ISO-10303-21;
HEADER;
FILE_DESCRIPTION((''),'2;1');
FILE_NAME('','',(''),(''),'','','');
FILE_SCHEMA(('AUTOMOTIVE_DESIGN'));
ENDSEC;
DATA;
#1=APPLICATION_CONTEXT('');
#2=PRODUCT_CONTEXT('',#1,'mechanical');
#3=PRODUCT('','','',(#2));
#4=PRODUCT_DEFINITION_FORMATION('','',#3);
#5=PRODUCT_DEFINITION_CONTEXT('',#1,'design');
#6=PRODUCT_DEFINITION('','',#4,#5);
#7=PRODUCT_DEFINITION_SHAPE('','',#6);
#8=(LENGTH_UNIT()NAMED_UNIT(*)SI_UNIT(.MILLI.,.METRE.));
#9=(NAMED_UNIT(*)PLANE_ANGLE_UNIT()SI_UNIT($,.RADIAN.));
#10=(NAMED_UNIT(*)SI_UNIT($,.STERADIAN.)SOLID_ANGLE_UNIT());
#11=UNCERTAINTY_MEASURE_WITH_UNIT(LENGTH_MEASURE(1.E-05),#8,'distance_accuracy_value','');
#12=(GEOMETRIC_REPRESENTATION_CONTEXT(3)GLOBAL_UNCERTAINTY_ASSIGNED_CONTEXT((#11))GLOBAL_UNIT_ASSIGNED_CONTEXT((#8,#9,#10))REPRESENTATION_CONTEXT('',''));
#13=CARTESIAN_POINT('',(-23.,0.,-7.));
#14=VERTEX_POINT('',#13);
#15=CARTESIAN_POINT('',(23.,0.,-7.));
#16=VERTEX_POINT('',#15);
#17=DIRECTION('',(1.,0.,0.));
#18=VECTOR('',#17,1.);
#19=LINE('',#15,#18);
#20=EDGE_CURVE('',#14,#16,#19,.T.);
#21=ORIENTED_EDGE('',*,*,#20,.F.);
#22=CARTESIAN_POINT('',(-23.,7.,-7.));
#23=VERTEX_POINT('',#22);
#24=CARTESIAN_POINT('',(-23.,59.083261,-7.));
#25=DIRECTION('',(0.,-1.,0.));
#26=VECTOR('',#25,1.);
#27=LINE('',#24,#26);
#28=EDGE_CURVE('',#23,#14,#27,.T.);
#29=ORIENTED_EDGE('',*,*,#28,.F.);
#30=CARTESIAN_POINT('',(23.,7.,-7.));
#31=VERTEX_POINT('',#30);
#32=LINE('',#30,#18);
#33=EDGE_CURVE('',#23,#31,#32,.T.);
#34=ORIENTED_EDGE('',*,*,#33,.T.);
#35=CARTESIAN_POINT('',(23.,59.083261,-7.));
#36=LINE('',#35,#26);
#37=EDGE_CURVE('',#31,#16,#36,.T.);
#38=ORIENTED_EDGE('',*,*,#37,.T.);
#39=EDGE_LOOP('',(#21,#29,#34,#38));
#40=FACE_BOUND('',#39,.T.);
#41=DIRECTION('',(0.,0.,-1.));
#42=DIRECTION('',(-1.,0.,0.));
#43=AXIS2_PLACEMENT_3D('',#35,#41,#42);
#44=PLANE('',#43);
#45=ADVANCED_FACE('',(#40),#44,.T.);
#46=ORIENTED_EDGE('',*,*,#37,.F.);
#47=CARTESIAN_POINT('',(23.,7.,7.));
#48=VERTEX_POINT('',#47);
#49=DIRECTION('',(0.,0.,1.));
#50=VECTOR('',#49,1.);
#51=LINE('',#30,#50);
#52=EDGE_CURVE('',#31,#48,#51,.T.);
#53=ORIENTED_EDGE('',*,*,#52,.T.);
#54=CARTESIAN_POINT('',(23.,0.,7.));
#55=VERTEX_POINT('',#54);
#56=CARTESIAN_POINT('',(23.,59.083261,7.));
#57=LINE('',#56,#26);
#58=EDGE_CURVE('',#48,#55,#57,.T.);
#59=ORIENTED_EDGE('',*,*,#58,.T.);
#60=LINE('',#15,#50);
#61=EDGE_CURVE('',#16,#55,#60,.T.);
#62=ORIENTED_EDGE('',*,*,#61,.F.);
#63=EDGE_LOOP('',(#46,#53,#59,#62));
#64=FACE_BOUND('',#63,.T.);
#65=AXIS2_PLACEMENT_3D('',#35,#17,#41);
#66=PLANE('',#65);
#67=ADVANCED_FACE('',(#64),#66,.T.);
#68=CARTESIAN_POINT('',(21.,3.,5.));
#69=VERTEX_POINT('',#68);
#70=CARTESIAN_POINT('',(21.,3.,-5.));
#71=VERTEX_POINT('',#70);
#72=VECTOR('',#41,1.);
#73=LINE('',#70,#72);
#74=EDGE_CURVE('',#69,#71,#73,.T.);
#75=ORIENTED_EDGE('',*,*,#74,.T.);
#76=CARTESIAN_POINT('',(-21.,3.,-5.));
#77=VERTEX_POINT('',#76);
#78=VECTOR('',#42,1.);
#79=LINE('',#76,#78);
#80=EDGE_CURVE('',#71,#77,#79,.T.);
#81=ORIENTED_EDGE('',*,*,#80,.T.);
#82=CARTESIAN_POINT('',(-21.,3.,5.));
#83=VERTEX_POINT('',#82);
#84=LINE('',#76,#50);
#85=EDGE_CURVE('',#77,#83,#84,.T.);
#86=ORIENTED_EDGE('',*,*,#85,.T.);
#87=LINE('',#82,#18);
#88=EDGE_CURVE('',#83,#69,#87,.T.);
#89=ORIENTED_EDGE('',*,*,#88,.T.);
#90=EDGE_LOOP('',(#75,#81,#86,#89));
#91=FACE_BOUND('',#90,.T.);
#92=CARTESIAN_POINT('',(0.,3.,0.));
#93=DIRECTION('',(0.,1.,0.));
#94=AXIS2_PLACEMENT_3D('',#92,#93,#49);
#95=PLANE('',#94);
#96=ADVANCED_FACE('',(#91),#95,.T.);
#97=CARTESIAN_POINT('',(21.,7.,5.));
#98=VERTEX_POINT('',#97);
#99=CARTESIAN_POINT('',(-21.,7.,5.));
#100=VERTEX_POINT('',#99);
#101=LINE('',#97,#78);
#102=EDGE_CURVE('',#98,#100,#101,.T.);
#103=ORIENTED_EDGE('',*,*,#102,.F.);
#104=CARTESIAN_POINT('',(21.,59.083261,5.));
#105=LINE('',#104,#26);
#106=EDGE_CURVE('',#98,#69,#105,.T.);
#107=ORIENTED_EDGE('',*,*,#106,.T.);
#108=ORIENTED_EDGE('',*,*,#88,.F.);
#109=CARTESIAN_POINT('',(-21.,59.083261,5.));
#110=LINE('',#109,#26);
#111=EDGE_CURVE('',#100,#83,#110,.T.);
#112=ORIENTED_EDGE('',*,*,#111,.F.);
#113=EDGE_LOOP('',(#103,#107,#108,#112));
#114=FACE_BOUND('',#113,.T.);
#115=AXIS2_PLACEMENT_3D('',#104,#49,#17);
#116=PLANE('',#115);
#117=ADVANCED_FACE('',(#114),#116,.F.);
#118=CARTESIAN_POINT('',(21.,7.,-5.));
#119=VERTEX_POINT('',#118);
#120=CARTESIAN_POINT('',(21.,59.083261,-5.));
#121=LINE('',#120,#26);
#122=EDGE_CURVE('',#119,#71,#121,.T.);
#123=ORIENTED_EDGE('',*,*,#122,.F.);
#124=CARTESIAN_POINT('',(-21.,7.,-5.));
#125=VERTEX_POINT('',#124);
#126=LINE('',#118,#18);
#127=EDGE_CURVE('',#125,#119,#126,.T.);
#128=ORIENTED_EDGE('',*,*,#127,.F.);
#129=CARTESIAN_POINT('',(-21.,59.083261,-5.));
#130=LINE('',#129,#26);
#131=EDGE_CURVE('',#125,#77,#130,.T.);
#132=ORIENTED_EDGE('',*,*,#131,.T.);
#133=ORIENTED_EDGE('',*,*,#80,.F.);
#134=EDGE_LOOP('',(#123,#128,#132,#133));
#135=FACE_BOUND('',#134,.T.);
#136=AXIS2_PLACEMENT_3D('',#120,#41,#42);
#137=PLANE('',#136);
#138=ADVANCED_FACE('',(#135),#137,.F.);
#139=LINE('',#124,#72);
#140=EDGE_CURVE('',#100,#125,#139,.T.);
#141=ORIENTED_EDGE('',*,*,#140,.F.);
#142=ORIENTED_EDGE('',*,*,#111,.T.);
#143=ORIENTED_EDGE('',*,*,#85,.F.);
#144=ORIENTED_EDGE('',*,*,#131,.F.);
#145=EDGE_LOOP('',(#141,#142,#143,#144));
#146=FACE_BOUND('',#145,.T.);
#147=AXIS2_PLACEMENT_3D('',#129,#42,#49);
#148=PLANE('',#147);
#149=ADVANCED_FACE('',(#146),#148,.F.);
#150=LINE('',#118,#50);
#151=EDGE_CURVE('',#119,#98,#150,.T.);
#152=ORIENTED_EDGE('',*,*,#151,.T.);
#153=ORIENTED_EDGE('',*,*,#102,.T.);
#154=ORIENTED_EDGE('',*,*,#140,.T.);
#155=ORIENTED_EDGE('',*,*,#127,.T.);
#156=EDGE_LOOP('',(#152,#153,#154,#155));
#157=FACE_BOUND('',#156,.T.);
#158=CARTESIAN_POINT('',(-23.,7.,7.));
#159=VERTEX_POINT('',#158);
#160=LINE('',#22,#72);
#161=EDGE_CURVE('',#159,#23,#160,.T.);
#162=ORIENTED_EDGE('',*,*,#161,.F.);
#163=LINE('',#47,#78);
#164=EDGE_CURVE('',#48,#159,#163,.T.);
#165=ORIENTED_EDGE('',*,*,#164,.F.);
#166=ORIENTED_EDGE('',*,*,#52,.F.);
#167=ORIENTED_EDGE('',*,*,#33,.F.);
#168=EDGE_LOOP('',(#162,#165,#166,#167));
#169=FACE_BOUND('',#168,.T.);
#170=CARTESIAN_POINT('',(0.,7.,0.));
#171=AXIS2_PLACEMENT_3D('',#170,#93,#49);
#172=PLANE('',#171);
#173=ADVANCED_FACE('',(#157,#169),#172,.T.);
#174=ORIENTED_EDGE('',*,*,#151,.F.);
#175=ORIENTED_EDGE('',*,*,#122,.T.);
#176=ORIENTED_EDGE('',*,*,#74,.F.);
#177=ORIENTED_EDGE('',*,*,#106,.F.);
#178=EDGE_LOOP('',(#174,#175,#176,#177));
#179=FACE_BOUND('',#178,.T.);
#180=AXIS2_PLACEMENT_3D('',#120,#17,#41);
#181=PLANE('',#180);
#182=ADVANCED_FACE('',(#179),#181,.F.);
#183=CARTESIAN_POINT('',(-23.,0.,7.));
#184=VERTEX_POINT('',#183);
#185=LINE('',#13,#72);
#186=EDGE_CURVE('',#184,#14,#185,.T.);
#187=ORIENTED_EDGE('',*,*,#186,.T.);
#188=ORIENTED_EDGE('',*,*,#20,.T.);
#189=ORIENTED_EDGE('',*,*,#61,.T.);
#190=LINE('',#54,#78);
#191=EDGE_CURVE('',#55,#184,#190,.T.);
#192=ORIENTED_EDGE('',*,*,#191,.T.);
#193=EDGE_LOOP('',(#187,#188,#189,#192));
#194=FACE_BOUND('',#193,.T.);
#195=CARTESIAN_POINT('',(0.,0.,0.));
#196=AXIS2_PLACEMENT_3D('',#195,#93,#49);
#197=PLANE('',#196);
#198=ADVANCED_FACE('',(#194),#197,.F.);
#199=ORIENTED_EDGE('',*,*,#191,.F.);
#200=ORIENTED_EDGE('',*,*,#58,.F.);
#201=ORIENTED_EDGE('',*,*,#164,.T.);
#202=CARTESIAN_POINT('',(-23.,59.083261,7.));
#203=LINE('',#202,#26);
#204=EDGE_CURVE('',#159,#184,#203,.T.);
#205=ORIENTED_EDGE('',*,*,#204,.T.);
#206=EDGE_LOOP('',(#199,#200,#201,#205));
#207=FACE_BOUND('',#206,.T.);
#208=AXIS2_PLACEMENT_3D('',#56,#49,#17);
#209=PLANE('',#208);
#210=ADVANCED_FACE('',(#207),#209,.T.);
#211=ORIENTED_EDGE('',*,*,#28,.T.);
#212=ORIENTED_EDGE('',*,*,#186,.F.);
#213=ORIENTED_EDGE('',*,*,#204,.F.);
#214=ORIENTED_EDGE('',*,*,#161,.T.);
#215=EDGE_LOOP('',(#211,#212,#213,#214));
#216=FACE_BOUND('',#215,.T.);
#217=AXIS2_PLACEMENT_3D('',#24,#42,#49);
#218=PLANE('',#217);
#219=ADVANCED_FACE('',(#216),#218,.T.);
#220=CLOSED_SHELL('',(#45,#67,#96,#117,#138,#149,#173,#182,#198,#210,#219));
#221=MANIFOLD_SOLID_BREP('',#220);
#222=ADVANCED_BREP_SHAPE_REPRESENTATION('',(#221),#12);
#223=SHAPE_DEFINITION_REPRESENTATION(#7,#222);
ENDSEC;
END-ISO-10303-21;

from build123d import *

# Parameters (mm, degrees)
SKETCH1_W           = 42
SKETCH1_H           = 10
BOSS_EXTRUDE1_DEPTH = 3
SKETCH2_W           = 46
SKETCH2_H           = 14
SKETCH2_W_2         = 42
SKETCH2_H_2         = 10
BOSS_EXTRUDE2_DEPTH = 7


with BuildPart() as part:
    # Sketch1 → Boss-Extrude1 (new body)
    with BuildSketch(Plane(origin=(0, 0, 0), x_dir=(1, 0, 0), z_dir=(0, 1, 0))):
        Rectangle(SKETCH1_W, SKETCH1_H)
    extrude(amount=BOSS_EXTRUDE1_DEPTH)

    # Sketch2 → Boss-Extrude2 (add)
    with BuildSketch(Plane.XZ):
        Rectangle(SKETCH2_W, SKETCH2_H)
        Rectangle(SKETCH2_W_2, SKETCH2_H_2, mode=Mode.SUBTRACT)
    extrude(amount=-BOSS_EXTRUDE2_DEPTH)


solid = part.part
